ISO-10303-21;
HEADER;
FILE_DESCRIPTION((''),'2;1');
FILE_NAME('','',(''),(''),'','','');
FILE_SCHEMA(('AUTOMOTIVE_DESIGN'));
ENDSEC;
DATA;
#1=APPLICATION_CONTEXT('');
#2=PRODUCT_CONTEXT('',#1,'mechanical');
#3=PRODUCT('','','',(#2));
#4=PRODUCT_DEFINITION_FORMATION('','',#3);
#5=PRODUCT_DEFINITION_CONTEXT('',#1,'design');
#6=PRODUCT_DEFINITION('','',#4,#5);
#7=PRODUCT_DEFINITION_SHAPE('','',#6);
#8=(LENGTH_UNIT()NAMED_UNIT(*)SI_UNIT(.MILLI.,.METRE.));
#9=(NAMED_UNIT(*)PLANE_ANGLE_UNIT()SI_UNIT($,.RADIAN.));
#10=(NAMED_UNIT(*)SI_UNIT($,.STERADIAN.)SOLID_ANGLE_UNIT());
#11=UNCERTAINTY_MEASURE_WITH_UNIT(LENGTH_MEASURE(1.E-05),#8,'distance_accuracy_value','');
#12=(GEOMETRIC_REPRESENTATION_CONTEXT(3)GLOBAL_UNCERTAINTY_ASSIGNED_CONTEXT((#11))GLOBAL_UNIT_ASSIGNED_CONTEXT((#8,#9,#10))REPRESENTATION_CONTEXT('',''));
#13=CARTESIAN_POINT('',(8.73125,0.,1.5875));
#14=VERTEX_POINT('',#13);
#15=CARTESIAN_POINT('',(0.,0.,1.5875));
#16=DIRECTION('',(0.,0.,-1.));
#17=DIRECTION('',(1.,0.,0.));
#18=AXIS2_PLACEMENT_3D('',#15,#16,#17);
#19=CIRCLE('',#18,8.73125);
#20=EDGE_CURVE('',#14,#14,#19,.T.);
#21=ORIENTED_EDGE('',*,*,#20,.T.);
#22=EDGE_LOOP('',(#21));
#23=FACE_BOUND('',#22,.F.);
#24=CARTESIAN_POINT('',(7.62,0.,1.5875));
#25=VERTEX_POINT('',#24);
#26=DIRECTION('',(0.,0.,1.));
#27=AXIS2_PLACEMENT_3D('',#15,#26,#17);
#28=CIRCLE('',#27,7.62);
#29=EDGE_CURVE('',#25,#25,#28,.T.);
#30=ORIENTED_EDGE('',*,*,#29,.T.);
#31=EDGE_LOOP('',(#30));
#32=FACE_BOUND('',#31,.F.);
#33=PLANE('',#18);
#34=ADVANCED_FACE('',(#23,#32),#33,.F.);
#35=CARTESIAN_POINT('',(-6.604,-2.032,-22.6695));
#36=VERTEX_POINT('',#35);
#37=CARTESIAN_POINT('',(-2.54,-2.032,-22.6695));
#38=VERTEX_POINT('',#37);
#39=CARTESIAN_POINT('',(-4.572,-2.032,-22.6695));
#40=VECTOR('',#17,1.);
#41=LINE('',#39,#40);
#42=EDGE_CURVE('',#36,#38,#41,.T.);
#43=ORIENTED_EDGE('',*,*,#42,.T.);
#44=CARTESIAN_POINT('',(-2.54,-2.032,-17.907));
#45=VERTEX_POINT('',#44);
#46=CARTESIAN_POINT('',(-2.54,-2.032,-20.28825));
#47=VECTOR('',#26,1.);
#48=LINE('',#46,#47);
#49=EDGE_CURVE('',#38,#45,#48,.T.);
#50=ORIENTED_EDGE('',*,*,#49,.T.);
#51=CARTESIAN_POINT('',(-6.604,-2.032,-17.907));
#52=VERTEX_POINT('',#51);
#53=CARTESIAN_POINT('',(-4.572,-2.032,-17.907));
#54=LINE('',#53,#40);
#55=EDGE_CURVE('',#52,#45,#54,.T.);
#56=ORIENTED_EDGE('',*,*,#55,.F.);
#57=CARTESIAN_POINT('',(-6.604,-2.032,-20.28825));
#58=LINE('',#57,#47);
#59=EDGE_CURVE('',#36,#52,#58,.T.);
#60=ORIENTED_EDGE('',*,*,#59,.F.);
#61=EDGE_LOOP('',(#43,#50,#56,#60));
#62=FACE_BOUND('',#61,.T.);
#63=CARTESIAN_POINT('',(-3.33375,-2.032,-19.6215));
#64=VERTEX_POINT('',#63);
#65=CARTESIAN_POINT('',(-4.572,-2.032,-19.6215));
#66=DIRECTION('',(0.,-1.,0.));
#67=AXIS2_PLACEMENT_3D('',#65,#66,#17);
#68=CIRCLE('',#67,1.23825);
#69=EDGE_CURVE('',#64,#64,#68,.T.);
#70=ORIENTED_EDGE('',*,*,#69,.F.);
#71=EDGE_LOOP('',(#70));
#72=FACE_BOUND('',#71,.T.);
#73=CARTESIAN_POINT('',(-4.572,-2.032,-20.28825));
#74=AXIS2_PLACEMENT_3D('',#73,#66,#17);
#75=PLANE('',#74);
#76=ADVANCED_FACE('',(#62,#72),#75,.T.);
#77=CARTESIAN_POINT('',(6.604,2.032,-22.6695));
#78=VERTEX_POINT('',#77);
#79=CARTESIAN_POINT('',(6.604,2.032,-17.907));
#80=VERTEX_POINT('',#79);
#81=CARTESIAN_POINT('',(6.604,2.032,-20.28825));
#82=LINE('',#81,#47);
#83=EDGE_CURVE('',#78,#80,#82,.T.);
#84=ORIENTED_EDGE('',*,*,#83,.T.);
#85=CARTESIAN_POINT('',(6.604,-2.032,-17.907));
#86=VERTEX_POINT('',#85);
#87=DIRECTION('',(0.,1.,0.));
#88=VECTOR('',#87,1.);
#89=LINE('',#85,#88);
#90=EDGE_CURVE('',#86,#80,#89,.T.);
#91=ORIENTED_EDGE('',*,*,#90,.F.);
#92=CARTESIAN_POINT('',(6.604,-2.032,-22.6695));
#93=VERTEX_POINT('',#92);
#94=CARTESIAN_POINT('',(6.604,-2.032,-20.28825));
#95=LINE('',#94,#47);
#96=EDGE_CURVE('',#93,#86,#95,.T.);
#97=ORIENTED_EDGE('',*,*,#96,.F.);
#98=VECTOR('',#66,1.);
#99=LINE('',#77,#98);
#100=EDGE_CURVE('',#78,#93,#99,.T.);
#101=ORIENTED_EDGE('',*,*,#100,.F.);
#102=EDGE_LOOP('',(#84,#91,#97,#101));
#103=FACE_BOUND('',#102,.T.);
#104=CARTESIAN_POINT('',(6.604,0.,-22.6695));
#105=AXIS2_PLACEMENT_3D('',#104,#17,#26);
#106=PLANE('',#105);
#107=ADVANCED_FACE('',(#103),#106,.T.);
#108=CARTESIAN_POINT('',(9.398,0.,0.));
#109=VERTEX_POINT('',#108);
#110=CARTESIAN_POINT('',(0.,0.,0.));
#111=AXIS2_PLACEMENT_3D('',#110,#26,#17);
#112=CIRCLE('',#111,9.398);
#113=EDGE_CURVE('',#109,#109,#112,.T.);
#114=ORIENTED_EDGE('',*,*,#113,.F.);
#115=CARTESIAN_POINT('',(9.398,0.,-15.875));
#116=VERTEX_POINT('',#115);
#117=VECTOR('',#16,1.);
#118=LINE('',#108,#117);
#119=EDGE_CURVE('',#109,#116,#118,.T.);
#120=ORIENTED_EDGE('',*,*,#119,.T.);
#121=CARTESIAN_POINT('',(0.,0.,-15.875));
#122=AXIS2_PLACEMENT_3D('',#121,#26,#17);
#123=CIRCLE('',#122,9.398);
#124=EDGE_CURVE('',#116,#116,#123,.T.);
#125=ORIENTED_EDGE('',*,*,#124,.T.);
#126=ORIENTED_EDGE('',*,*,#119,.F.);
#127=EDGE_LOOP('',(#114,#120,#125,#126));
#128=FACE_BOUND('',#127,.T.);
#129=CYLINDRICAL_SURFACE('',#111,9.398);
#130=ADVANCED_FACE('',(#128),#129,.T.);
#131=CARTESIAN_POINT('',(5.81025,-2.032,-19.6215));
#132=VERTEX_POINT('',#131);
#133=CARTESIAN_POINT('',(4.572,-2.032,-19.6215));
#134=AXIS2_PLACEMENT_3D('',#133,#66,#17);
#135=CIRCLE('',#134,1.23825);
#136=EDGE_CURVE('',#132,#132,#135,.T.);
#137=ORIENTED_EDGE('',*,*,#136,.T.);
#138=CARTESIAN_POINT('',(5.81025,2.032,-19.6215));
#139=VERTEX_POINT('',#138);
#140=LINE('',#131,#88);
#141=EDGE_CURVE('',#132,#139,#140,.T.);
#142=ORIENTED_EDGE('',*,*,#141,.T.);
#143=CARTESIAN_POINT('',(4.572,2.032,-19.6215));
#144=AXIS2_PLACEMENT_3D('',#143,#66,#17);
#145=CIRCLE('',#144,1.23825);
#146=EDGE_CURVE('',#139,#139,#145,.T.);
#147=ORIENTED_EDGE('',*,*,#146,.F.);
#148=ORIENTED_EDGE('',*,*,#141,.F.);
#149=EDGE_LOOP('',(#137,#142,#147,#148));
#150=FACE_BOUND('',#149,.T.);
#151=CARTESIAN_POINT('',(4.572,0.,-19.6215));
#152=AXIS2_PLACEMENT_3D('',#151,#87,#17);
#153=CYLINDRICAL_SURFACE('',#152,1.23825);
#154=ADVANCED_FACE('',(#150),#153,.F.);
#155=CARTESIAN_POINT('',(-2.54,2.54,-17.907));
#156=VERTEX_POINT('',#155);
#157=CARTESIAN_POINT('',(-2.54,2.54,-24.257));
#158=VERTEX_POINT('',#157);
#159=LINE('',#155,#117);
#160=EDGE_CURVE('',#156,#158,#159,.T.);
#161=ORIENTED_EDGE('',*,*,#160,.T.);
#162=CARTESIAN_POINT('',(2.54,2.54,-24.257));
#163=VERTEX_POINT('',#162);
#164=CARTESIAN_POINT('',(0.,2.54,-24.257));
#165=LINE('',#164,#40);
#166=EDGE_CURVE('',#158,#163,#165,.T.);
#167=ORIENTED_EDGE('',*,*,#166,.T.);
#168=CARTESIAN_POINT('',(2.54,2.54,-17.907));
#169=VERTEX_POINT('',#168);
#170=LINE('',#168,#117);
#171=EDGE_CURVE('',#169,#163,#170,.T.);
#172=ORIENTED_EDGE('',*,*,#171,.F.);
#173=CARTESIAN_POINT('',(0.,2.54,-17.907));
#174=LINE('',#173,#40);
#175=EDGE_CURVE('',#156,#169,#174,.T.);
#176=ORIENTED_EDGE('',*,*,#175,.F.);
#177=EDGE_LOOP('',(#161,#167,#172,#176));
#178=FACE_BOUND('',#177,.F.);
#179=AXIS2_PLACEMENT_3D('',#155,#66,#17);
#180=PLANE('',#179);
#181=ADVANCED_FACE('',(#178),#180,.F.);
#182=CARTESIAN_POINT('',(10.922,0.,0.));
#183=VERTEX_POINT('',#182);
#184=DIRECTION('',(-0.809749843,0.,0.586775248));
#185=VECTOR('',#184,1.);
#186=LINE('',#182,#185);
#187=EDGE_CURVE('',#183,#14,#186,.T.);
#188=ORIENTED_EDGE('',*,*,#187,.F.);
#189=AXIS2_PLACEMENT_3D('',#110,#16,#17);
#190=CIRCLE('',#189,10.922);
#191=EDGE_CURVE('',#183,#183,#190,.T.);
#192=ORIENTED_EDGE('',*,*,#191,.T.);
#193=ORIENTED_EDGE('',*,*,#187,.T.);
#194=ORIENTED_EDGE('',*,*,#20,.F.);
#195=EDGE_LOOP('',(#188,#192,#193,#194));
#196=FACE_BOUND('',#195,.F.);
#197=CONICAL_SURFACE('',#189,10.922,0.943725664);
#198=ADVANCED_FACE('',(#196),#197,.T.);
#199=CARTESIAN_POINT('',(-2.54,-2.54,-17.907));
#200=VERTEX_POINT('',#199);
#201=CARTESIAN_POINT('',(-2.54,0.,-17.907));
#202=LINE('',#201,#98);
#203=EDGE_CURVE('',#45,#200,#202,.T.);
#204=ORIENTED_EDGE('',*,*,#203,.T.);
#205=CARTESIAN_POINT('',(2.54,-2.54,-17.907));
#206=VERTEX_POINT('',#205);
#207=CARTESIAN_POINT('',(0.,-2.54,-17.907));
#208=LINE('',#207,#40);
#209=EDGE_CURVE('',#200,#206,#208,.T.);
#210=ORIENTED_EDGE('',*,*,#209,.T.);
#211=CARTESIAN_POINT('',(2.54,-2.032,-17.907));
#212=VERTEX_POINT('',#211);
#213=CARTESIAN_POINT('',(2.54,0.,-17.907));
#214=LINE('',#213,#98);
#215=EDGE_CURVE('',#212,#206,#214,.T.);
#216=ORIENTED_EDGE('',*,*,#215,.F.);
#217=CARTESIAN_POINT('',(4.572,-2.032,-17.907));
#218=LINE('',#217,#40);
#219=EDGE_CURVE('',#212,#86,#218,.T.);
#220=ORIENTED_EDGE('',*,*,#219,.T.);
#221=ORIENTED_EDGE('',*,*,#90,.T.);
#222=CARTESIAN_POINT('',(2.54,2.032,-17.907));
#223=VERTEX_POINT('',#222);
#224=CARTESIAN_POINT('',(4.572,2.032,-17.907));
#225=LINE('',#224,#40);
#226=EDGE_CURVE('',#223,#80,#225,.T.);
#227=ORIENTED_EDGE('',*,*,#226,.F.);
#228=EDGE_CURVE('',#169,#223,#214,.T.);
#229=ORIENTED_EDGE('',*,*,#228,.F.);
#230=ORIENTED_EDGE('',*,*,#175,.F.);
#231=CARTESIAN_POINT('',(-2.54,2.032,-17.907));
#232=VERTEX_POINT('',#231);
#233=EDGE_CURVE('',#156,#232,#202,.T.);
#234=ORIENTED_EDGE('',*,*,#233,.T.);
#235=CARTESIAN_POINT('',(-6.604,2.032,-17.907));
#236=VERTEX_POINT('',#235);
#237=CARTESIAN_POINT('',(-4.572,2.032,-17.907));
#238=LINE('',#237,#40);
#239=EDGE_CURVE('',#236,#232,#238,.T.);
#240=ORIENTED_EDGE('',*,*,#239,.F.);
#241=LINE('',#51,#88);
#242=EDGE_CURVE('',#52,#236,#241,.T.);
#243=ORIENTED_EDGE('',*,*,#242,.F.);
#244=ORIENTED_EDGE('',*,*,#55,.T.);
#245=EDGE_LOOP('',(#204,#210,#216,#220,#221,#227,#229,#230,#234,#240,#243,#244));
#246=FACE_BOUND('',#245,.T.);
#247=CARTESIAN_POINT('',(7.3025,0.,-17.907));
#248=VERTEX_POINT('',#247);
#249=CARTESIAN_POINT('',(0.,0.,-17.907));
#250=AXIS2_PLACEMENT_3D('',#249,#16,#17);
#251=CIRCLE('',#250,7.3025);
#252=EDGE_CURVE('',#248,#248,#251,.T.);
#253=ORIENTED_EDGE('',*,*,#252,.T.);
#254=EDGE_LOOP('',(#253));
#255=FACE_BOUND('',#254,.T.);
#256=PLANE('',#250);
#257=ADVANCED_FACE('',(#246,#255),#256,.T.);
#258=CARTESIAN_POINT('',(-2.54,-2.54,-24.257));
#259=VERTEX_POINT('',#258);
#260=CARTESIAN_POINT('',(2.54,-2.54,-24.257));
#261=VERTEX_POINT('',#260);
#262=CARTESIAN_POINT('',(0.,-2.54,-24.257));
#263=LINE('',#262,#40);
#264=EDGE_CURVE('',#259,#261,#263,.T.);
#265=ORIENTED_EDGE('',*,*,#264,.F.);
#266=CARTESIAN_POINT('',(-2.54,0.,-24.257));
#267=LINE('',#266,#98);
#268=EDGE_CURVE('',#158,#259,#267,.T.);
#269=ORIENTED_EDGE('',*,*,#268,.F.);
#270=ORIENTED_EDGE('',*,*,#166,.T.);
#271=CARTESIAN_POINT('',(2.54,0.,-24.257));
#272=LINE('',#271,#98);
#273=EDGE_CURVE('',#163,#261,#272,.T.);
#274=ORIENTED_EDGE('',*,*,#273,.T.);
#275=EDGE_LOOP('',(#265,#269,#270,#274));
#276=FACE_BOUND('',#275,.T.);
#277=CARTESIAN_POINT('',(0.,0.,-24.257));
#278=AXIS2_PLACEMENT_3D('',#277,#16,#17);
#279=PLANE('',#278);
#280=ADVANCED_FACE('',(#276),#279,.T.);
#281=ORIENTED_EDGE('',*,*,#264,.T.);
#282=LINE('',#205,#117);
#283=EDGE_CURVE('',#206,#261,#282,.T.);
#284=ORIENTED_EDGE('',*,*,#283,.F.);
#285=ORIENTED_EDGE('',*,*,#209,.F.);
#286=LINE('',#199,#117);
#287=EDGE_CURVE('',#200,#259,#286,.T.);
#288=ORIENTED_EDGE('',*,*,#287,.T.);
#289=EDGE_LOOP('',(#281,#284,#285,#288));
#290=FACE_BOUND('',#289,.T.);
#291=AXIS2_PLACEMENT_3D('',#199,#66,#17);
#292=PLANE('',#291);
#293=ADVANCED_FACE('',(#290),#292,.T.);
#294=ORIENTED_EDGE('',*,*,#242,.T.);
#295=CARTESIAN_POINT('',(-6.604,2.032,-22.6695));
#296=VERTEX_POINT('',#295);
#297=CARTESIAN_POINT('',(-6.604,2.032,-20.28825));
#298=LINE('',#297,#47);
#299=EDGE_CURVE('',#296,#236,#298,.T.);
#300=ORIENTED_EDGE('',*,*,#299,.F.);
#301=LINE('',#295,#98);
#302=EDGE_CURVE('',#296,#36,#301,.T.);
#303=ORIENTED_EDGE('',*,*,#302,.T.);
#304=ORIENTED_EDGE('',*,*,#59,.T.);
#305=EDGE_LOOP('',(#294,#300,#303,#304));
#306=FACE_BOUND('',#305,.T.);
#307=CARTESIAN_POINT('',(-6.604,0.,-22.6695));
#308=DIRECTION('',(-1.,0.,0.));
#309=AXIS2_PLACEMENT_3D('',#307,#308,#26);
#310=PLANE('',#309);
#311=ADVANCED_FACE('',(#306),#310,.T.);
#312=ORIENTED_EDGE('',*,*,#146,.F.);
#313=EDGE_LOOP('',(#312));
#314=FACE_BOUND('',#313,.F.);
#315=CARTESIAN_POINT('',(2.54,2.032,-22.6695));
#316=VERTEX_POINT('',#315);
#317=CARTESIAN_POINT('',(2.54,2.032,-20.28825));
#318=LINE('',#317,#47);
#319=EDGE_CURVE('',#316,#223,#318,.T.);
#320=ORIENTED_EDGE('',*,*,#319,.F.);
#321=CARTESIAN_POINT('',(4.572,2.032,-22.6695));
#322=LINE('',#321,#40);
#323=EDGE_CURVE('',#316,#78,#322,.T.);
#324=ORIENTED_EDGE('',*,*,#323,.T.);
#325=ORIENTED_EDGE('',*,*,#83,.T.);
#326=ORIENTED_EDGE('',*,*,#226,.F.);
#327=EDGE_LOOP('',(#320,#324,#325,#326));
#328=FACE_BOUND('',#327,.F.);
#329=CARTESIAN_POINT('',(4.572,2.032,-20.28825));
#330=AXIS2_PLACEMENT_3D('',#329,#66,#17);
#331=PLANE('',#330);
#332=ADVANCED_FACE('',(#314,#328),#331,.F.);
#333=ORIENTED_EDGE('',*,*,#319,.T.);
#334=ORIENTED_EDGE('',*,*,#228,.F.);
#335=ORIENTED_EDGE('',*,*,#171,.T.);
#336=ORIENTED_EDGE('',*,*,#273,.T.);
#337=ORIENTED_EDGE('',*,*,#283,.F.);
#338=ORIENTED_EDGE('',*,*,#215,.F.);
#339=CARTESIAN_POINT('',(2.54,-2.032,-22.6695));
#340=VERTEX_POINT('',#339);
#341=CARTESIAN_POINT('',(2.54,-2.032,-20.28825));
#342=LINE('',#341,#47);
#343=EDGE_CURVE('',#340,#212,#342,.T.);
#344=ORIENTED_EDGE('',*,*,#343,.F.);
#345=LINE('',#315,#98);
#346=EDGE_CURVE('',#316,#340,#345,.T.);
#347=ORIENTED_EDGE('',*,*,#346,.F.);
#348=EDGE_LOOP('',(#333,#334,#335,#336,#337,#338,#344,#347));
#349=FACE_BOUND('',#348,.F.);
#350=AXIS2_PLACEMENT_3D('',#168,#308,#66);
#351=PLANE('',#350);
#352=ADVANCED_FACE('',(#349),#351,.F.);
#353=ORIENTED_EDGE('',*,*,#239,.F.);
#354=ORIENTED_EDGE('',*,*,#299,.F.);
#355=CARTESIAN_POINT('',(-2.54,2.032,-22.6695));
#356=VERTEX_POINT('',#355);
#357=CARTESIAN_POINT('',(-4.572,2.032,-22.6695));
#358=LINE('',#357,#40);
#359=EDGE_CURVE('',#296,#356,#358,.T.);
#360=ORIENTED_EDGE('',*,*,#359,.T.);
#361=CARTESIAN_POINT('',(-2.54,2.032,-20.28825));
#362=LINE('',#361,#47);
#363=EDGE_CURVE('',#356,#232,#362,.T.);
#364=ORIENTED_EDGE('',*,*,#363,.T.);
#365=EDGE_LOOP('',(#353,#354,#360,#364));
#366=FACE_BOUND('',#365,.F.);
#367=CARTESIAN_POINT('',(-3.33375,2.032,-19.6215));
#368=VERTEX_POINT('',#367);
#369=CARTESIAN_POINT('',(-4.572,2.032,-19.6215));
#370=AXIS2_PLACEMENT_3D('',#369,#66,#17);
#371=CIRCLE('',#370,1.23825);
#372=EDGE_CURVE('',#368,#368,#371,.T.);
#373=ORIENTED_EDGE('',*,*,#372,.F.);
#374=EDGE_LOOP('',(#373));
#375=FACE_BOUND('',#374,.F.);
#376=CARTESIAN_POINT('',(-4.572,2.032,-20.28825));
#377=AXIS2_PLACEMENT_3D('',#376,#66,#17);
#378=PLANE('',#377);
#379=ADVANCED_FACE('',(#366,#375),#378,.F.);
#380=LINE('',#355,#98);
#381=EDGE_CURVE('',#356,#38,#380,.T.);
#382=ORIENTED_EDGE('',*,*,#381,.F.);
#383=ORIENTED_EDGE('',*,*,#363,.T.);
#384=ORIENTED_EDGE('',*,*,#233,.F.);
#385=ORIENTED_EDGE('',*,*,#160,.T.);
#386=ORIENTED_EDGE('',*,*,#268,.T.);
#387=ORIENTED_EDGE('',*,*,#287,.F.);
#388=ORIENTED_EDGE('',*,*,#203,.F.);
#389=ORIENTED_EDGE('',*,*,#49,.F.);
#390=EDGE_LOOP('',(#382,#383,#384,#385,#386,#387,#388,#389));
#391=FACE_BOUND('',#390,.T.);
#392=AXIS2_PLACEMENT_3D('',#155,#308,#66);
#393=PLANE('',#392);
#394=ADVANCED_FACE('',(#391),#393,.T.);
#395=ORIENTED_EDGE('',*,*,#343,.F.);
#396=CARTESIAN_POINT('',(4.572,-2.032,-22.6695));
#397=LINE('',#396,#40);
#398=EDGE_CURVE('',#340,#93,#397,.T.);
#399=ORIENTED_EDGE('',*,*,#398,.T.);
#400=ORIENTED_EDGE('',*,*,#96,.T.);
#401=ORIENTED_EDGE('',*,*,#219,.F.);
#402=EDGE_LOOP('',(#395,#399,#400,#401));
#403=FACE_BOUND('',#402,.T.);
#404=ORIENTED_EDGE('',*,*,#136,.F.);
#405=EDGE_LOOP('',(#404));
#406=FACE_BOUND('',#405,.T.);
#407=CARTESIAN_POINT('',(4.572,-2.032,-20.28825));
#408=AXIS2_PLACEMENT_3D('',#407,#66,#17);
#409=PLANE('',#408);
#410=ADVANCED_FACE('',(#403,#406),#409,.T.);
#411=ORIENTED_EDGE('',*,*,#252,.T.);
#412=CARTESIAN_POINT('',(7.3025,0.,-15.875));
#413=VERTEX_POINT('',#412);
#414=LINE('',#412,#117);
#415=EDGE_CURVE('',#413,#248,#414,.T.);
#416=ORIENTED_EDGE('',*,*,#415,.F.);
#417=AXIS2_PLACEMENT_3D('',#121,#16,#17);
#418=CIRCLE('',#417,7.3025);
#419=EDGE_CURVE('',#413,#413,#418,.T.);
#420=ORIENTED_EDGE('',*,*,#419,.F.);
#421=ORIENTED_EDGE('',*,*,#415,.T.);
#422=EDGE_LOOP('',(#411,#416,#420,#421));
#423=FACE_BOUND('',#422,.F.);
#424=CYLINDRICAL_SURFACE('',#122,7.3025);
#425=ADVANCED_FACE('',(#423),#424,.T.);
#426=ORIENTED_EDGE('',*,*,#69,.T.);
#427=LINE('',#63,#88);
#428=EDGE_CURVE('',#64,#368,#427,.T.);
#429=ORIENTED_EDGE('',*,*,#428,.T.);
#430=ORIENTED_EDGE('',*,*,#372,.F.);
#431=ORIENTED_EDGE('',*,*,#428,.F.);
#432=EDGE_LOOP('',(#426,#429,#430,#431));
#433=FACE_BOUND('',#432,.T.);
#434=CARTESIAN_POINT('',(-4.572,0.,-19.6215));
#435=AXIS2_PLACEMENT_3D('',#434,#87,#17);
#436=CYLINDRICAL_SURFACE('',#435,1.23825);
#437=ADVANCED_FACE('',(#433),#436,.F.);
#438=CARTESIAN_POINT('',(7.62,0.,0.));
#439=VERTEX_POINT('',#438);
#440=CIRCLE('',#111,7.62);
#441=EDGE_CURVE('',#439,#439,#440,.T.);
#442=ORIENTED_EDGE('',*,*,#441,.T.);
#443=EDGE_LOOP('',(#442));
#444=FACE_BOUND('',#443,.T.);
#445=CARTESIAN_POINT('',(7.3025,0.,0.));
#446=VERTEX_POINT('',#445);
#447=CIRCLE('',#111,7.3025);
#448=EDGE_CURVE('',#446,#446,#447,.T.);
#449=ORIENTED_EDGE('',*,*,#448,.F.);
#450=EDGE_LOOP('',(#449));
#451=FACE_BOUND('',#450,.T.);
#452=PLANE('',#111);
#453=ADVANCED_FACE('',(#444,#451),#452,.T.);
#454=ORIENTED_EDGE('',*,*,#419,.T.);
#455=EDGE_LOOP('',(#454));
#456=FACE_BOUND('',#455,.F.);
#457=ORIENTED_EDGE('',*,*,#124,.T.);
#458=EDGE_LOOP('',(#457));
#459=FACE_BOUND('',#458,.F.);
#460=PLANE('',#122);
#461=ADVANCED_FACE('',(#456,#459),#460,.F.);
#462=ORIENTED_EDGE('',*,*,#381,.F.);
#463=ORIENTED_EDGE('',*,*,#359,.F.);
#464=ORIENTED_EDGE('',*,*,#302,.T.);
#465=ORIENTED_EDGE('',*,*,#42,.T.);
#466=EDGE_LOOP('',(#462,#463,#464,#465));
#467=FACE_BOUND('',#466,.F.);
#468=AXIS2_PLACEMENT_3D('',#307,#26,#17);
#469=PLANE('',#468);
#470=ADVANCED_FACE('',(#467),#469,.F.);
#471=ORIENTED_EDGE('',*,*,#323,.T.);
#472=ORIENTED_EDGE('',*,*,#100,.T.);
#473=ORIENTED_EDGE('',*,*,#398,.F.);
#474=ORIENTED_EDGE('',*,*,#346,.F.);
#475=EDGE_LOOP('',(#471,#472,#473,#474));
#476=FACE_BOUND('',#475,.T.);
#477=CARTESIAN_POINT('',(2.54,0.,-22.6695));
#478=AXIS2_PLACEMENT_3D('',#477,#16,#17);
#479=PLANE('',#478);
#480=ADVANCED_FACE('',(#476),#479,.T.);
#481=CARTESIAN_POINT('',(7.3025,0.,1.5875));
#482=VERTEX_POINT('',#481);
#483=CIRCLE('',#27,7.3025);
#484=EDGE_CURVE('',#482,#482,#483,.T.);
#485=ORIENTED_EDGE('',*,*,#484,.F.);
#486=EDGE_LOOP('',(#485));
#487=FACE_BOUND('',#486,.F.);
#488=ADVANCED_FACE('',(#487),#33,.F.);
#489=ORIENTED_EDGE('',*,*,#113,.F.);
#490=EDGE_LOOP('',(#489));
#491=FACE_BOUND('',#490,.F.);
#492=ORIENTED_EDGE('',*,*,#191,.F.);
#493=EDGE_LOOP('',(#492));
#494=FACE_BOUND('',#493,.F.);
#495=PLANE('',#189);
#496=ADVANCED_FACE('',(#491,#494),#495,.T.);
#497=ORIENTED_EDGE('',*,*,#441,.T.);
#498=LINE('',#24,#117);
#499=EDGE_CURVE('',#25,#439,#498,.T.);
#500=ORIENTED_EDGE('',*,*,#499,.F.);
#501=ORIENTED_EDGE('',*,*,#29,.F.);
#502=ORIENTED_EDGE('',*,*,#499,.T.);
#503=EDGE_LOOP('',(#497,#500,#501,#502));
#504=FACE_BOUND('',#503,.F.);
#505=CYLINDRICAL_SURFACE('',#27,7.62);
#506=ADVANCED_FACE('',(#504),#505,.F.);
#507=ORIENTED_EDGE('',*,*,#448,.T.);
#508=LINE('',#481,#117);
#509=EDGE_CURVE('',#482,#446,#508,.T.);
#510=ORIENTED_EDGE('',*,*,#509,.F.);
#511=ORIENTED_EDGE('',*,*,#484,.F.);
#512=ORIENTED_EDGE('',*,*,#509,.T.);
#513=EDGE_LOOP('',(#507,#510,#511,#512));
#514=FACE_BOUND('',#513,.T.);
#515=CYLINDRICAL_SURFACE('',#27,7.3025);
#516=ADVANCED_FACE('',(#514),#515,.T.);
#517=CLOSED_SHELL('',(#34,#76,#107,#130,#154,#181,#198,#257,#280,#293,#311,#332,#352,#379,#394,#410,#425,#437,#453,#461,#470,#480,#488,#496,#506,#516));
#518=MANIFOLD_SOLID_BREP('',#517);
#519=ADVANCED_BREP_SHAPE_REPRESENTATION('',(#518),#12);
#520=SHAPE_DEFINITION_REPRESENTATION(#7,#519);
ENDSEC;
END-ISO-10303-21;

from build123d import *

# Parameters (mm, degrees)
F0_R      = 9.398
F1_DEPTH  = 15.875
F4_R      = 7.62
F4_R_2    = 7.3025
F5_DEPTH  = 1.5875
F6_R      = 7.3025
F7_DEPTH  = 2.032
F8_W      = 5.08
F8_H      = 5.08
F9_DEPTH  = 6.35
F10_W     = 4.064
F10_H     = 4.7625
F10_R     = 1.23825
F11_DEPTH = 2.032


with BuildPart() as f1:
    # F0 (on Top) → F1 (new body)
    with BuildSketch(Plane.XY):
        Circle(F0_R)
    extrude(amount=-F1_DEPTH)

    # F2 (on Front) → F3 (revolve)
    with BuildSketch(Plane.XZ):
        Polygon((0, 1.5875), (0, 0), (10.922, 0), (8.73125, 1.5875), align=None)
    revolve(axis=Axis((0, 0, 0.79375), (0, 0, -1)))

    # F4 (on face) → F5 (cut)
    with BuildSketch(Plane.XY.offset(1.5875)):
        Circle(F4_R)
        Circle(F4_R_2, mode=Mode.SUBTRACT)
    extrude(amount=-F5_DEPTH, mode=Mode.SUBTRACT)

    # F6 (on face) → F7 (join)
    with BuildSketch(Plane(origin=(0, 0, -15.875), x_dir=(1, 0, 0), z_dir=(0, 0, -1))):
        Circle(F6_R)
    extrude(amount=F7_DEPTH)

    # F8 (on face) → F9 (join)
    with BuildSketch(Plane(origin=(0, 0, -17.907), x_dir=(1, 0, 0), z_dir=(0, 0, -1))):
        Rectangle(F8_W, F8_H)
    extrude(amount=F9_DEPTH)

    # F10 (on Front) → F11 (join, symmetric)
    with BuildSketch(Plane.XZ):
        with Locations((-4.572, -20.28825)):
            Rectangle(F10_W, F10_H)
        with Locations((-4.572, -19.6215)):
            Circle(F10_R, mode=Mode.SUBTRACT)
        with Locations((4.572, -20.28825)):
            Rectangle(F10_W, F10_H)
        with Locations((4.572, -19.6215)):
            Circle(F10_R, mode=Mode.SUBTRACT)
    extrude(amount=F11_DEPTH, both=True)


solid = f1.part
